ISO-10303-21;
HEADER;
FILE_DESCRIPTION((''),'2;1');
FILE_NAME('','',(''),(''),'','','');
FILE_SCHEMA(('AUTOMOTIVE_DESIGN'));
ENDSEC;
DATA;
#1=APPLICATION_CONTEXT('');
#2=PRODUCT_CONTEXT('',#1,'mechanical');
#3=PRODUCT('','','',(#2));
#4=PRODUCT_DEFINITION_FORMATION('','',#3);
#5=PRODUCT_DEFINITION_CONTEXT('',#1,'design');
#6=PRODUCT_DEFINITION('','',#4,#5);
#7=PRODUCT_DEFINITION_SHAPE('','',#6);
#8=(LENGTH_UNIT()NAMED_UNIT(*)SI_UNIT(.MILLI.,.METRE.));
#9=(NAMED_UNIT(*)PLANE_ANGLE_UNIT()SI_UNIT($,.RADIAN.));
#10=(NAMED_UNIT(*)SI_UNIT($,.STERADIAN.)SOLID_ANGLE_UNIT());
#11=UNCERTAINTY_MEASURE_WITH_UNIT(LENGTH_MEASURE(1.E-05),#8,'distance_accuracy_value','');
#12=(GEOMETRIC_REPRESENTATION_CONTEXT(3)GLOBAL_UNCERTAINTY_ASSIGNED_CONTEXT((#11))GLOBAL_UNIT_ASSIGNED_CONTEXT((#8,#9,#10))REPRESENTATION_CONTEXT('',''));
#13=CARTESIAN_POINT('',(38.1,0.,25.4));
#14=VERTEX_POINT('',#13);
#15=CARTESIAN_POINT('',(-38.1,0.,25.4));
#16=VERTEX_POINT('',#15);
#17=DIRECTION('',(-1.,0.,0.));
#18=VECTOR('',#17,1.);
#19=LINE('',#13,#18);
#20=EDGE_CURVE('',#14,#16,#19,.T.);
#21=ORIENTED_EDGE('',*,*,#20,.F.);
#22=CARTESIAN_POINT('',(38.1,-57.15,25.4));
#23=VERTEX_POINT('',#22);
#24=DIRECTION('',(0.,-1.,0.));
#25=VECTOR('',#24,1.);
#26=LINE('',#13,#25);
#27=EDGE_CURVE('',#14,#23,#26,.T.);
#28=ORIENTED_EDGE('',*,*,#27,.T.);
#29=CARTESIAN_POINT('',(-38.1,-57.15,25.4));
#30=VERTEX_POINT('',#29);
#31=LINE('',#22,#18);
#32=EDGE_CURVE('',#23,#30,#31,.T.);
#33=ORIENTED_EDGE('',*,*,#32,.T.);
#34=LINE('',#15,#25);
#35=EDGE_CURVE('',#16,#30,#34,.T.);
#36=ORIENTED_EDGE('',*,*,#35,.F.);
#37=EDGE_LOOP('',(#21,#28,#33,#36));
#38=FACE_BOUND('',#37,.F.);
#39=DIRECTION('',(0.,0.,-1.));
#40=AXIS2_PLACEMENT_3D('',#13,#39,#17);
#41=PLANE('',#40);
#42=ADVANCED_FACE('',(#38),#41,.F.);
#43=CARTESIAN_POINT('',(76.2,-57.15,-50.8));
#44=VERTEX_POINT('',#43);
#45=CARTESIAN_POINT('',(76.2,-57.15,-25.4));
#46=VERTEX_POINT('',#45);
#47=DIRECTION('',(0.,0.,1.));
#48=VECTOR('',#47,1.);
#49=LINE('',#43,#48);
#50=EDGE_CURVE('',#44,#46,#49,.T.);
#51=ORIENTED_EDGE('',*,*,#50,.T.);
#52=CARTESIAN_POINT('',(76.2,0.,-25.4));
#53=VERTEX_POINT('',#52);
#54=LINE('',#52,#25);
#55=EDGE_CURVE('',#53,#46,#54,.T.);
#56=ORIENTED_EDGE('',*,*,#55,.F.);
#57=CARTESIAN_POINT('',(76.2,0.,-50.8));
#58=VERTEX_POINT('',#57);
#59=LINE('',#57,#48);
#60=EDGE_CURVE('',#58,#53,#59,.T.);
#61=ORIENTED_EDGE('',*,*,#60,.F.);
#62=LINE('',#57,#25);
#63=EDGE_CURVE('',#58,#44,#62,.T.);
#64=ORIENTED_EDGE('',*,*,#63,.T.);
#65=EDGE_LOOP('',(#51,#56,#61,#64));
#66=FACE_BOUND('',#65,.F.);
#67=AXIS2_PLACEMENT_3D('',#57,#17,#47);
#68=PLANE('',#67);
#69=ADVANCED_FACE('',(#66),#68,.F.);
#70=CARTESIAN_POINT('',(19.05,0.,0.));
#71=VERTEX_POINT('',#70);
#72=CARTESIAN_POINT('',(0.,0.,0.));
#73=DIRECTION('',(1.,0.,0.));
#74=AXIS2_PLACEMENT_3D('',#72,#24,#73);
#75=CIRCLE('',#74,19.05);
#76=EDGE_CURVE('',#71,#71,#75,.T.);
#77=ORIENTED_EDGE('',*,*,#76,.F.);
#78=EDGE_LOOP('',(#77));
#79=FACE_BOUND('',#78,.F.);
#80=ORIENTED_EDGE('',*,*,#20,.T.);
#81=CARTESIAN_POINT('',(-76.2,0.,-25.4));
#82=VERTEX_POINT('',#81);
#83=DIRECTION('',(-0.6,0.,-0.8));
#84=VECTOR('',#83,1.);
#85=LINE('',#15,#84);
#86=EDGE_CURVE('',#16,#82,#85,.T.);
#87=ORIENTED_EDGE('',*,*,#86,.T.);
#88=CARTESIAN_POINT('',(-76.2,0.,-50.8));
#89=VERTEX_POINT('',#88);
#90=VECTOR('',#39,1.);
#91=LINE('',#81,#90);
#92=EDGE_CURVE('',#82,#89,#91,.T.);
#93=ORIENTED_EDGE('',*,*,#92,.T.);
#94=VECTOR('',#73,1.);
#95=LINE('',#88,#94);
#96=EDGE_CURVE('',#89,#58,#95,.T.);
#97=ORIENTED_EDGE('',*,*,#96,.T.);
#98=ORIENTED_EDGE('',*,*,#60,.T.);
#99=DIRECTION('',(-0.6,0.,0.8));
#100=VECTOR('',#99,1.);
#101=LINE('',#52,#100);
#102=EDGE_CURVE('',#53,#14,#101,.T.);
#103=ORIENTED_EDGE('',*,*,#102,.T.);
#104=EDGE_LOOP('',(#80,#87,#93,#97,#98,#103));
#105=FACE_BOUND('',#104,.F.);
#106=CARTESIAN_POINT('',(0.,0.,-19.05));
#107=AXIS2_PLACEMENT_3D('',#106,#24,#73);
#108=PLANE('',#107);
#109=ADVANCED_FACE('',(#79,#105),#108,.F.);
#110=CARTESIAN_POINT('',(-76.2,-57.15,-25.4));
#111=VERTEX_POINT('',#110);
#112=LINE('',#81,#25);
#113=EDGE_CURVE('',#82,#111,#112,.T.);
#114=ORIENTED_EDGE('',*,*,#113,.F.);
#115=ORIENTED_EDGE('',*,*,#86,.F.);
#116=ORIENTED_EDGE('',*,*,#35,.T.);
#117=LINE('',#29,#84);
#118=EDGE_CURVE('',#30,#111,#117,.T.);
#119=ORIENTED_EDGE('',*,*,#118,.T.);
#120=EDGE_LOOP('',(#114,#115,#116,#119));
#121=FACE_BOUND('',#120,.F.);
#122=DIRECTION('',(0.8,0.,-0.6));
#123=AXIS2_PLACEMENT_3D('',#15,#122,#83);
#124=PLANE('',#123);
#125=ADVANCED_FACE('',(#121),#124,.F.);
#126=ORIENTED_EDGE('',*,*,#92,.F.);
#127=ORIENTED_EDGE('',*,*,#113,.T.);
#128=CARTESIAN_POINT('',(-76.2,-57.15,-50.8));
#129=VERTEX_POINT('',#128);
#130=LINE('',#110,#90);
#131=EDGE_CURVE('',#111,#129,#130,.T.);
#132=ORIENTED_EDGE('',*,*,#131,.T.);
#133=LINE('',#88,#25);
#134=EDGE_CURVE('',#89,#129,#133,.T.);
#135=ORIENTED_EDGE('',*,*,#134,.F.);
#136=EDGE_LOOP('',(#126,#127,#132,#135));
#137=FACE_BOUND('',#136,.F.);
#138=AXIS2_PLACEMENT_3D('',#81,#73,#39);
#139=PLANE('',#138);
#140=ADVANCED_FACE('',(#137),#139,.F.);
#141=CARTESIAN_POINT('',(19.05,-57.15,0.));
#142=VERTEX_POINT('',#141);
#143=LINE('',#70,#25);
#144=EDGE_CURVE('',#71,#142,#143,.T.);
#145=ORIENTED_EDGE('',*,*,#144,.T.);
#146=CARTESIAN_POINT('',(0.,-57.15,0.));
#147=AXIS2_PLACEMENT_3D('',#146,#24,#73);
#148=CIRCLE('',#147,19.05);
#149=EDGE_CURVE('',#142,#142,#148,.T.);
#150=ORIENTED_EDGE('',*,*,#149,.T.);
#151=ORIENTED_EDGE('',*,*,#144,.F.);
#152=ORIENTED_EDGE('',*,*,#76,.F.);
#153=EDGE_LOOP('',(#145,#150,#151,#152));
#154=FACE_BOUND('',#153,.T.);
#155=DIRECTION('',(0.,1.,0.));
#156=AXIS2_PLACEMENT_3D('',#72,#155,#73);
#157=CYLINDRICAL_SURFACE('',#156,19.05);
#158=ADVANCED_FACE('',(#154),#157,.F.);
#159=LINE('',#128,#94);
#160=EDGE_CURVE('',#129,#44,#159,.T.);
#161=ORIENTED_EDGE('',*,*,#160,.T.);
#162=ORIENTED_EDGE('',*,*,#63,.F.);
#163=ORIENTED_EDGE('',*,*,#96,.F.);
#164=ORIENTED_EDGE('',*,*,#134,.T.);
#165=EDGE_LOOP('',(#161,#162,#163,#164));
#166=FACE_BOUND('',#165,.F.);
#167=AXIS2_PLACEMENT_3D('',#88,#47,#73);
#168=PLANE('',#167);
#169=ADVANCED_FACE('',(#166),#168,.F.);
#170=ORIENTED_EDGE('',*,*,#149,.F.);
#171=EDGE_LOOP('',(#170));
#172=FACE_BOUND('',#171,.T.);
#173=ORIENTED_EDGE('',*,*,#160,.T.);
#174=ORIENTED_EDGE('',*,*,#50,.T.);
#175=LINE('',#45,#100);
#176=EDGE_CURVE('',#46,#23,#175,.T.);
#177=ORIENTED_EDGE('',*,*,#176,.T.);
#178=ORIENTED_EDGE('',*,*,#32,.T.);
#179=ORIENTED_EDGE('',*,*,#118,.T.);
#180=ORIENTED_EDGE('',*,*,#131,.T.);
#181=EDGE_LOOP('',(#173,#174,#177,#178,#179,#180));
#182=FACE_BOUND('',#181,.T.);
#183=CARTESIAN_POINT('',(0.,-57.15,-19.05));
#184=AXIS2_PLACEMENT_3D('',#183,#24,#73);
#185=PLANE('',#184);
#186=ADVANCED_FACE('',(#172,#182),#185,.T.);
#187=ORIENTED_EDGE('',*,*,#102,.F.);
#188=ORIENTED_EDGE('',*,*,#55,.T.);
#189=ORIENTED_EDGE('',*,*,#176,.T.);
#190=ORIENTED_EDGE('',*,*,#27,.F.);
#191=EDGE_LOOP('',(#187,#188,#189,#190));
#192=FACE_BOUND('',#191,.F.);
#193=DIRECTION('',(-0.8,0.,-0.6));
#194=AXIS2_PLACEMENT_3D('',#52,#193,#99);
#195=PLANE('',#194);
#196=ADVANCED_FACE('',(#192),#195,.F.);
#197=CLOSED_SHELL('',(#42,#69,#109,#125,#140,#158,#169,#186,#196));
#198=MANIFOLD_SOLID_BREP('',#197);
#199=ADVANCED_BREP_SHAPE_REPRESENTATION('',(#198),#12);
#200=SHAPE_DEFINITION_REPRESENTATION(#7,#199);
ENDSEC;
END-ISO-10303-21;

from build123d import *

# Parameters (mm, degrees)
F0_R     = 19.05
F1_DEPTH = 57.15


with BuildPart() as f1:
    # F0 (on Front) → F1 (new body)
    with BuildSketch(Plane.XZ):
        Polygon((-76.2, -25.4), (-76.2, -50.8), (76.2, -50.8), (76.2, -25.4), (38.1, 25.4), (0, 25.4), (-38.1, 25.4), align=None)
        Circle(F0_R, mode=Mode.SUBTRACT)
    extrude(amount=F1_DEPTH)


solid = f1.part
